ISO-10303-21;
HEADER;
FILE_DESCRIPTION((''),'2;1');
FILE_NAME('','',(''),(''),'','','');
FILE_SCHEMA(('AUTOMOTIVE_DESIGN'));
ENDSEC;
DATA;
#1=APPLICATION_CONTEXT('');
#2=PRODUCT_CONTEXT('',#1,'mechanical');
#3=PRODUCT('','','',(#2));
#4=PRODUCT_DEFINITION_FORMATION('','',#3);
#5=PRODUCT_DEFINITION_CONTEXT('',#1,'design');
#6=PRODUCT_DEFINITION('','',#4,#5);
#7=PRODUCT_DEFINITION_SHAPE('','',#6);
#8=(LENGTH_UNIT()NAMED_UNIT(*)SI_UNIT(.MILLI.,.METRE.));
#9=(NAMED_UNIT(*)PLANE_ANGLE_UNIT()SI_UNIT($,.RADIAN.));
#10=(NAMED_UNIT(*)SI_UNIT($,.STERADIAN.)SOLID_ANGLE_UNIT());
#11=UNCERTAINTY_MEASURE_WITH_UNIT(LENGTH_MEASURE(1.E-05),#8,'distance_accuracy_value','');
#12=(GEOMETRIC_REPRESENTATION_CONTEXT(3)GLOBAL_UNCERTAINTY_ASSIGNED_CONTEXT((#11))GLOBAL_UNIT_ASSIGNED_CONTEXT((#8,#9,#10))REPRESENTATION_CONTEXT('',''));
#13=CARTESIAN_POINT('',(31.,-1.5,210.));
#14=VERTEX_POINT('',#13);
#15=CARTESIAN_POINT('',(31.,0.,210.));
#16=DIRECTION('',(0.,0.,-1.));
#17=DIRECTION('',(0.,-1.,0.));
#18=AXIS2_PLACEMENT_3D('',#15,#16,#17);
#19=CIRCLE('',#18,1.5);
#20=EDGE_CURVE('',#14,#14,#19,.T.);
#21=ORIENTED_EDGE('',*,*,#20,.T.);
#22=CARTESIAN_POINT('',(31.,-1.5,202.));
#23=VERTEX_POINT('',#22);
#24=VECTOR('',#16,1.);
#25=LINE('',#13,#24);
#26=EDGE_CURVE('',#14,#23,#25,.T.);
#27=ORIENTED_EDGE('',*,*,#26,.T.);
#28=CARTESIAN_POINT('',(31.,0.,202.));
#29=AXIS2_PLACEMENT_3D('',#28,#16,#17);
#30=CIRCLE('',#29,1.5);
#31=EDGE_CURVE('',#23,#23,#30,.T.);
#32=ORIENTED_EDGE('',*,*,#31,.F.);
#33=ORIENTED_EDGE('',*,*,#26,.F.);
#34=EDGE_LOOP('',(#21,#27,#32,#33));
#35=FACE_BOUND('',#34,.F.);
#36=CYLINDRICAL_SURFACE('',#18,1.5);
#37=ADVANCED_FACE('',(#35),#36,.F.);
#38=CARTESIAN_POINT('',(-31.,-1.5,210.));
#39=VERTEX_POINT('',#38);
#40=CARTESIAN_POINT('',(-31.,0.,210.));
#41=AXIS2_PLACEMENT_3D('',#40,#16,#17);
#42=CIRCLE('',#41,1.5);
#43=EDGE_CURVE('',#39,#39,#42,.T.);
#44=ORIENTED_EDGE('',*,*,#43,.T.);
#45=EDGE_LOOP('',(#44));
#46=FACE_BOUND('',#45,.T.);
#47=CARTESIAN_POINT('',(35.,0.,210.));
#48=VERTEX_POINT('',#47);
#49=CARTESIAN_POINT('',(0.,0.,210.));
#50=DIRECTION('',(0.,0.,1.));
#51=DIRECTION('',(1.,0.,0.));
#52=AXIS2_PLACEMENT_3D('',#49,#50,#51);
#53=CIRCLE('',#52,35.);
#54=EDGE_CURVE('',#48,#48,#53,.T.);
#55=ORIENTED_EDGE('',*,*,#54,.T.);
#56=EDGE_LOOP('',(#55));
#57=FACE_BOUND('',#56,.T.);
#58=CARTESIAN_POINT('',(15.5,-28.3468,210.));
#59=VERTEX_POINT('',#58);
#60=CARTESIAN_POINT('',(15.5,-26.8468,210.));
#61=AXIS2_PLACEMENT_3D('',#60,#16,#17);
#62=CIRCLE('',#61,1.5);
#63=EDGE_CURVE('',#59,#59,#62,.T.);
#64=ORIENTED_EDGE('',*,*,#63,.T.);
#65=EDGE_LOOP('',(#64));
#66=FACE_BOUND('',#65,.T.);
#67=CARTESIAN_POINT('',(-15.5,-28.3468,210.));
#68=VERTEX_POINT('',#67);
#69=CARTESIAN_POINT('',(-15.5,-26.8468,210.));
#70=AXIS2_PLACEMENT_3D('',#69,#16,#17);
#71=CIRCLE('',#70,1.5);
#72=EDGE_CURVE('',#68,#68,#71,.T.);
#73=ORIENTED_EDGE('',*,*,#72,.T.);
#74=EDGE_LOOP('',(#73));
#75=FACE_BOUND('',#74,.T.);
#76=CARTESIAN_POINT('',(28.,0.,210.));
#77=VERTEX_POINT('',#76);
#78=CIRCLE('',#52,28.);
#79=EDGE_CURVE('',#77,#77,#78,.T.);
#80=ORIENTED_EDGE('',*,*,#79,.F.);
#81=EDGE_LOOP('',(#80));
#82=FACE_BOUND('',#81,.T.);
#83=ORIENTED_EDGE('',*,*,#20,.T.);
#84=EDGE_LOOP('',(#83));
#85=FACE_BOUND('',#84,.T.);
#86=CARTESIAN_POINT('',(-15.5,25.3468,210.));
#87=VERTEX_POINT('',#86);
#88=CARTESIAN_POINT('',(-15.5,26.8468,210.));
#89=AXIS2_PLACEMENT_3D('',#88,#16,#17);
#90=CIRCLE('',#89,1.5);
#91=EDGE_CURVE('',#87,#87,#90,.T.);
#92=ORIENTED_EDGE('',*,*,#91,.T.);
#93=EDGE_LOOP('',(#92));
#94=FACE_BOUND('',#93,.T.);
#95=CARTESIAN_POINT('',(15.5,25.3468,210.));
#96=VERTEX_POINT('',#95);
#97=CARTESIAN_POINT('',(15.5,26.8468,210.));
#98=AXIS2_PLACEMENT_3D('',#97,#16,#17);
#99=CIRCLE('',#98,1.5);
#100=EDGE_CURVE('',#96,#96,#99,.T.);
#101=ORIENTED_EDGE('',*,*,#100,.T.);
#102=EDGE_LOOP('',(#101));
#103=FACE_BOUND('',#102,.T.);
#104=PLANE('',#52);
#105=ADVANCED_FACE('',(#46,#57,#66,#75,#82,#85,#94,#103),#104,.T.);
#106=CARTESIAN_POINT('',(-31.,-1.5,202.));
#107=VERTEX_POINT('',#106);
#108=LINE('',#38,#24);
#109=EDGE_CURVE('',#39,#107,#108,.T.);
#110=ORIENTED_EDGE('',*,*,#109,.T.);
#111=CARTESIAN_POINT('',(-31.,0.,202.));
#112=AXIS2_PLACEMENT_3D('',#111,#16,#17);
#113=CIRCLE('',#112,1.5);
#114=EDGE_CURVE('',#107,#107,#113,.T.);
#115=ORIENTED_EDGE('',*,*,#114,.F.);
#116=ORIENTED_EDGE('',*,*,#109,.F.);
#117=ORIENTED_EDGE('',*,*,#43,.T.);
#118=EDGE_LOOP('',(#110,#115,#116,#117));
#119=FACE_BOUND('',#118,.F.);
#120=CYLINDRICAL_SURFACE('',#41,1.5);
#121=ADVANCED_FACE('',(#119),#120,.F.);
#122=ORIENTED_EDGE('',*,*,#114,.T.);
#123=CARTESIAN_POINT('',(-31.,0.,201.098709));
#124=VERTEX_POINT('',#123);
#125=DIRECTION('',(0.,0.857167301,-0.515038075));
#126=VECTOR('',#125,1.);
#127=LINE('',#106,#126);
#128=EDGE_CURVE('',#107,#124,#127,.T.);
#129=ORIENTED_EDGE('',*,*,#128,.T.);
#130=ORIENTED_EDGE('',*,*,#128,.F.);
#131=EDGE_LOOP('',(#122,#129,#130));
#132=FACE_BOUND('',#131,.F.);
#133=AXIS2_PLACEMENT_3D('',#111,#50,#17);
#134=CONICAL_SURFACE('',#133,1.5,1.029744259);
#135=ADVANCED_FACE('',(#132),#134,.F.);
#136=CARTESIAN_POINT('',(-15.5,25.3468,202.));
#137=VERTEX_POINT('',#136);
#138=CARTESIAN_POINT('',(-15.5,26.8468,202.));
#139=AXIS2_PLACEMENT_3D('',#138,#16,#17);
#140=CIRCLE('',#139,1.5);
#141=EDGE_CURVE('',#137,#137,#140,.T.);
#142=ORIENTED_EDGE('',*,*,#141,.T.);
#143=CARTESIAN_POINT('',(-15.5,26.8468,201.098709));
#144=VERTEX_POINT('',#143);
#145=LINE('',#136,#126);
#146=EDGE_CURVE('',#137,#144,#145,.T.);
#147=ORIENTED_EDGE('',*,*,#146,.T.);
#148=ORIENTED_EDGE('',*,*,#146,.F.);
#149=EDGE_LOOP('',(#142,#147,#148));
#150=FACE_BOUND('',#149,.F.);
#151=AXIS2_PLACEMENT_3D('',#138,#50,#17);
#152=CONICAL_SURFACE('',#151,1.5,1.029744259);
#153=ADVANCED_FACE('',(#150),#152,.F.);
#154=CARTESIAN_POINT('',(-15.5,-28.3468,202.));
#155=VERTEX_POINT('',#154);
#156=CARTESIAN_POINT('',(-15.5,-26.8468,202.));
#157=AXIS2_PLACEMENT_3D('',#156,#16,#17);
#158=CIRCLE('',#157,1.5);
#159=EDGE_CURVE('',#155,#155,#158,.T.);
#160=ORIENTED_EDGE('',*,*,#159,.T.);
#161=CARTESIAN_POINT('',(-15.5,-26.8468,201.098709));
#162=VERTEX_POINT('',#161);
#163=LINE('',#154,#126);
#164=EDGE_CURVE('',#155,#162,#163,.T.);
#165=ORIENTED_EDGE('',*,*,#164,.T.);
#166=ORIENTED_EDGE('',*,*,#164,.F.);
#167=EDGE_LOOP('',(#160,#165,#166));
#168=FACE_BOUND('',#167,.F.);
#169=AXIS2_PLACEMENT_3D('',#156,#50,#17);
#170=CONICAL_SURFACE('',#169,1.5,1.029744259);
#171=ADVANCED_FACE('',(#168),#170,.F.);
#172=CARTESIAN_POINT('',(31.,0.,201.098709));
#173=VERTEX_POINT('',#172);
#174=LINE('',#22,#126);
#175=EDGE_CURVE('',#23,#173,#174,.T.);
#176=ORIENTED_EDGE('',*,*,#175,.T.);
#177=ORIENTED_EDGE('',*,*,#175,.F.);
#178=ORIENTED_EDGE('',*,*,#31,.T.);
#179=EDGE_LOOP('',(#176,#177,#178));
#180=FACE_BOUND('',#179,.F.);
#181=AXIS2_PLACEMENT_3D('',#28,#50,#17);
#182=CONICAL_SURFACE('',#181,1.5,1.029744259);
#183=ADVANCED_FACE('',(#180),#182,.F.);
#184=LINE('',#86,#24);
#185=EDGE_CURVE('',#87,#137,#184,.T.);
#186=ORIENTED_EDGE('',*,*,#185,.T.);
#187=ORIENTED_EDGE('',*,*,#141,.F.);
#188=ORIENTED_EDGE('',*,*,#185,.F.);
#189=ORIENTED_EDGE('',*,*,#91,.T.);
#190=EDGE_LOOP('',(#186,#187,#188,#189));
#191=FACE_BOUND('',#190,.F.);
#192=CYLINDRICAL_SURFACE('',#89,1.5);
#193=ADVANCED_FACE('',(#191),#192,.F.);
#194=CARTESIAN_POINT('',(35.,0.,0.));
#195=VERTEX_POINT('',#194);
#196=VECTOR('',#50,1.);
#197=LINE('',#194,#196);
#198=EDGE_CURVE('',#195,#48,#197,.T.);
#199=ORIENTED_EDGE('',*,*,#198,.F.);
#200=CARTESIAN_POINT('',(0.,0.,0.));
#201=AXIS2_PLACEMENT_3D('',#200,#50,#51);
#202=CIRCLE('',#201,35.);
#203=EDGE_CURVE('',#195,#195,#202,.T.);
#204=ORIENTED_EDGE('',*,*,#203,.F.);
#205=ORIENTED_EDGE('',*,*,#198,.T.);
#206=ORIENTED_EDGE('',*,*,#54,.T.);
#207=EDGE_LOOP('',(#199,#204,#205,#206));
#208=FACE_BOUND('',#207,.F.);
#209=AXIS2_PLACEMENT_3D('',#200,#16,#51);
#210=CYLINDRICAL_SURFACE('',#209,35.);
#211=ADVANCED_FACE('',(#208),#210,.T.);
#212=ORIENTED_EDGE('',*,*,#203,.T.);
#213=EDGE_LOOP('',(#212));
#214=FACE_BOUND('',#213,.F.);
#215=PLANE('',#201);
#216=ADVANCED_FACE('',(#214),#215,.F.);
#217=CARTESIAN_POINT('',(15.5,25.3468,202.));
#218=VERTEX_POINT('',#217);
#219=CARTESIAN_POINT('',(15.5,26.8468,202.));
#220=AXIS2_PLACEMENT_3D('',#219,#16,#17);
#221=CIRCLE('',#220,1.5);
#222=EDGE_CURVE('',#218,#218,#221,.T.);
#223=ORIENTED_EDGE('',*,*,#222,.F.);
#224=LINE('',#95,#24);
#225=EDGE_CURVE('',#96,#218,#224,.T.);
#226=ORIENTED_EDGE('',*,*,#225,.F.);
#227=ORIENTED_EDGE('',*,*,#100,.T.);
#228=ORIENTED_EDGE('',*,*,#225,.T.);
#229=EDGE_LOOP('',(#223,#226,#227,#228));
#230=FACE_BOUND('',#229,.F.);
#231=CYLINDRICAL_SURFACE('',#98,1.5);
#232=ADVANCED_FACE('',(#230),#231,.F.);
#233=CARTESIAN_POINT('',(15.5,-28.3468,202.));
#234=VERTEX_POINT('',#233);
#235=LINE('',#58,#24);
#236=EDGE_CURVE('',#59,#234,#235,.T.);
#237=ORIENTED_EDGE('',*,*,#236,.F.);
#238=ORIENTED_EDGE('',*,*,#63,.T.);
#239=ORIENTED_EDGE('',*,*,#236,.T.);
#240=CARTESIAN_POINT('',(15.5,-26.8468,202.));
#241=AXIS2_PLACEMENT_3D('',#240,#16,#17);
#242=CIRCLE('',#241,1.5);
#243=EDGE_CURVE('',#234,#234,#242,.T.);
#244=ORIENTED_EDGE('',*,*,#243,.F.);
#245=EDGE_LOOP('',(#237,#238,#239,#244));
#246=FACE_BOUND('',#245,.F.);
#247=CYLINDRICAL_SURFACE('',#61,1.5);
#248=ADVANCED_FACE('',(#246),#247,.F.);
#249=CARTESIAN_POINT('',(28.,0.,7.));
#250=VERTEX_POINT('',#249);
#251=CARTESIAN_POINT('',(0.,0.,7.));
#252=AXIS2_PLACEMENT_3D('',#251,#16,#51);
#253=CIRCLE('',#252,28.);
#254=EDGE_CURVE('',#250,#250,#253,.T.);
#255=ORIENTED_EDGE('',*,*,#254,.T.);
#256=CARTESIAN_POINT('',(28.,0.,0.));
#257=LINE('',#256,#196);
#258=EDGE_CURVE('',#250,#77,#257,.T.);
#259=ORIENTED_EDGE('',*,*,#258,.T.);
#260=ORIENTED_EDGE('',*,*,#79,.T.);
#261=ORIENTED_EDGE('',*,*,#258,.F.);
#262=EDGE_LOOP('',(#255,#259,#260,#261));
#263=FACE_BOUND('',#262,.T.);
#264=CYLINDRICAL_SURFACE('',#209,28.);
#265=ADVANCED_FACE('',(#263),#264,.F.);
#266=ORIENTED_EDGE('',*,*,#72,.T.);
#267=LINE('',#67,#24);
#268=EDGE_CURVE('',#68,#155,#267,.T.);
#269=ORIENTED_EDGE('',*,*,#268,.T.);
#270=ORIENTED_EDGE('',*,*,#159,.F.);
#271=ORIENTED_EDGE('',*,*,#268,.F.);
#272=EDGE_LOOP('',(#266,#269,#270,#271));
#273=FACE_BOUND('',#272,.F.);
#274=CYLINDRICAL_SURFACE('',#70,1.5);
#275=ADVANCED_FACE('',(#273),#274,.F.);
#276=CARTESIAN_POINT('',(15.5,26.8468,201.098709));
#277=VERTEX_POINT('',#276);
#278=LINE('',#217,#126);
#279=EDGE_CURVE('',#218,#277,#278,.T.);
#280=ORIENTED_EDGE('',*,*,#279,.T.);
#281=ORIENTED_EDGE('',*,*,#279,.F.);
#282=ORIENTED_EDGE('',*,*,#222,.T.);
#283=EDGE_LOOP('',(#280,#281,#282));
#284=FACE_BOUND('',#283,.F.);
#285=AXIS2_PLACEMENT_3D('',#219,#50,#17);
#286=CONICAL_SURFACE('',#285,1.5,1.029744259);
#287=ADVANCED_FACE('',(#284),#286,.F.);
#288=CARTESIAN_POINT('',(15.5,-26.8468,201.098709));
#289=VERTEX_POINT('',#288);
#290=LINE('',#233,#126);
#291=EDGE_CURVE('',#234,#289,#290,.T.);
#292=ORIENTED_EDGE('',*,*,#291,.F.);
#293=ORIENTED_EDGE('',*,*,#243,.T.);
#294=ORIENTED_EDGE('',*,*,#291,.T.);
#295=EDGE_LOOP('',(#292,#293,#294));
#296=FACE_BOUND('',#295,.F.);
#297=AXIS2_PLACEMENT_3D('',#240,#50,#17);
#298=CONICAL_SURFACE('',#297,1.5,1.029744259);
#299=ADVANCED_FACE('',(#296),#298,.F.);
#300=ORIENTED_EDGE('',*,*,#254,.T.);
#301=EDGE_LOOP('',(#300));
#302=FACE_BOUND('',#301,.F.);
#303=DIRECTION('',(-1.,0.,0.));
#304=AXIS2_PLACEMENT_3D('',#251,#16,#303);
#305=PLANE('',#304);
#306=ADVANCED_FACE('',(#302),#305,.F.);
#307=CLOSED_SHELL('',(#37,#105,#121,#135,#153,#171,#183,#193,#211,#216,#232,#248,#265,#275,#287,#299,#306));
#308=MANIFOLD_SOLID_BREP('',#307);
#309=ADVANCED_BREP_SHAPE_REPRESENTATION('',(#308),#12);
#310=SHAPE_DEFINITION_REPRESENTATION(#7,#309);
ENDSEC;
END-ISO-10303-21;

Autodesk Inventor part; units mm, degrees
ref_plane "YZ Plane" through (0, 0, 0) normal (1, 0, 0) x (0, 1, 0)
ref_plane "XZ Plane" through (0, 0, 0) normal (0, 1, 0) x (-1, 0, 0)
ref_plane "XY Plane" through (0, 0, 0) normal (0, 0, 1) x (1, 0, 0)
sketch "Sketch1" plane through (0, 0, 0) normal (0, 0, 1) x (1, 0, 0)
  circle A0 centre (0, 0) radius 35
  circle A1 centre (0, 0) radius 28
  dimension "d0" = 70
  dimension "d1" = 56
extrude "Extrusion1" add sketch "Sketch1" along normal blind 210
sketch "Sketch2" plane through (0, 0, 0) normal (0, 0, -1) x (-1, 0, 0)
  circle A0 centre (0, 0) radius 31.5
extrude "Extrusion2" add sketch "Sketch2" against normal blind 7
sketch "Sketch3" plane through (0, 0, 210) normal (0, 0, 1) x (1, 0, 0)
  circle A0 centre (0, 0) radius 35 projected
  line L0 (35, 0) -> (17.5, -30.3109)
  line L1 (17.5, -30.3109) -> (-17.5, -30.3109)
  line L2 (-17.5, -30.3109) -> (-35, 0)
  line L3 (-35, 0) -> (-17.5, 30.3109)
  line L4 (-17.5, 30.3109) -> (17.5, 30.3109)
  line L5 (17.5, 30.3109) -> (35, 0)
  line L6 (-17.5, 30.3109) -> (17.5, -30.3109)
  line L7 (-17.5, -30.3109) -> (17.5, 30.3109)
  line L8 (-35, 0) -> (35, 0)
  line L9 (-17.5, 30.3109) -> (-15.5, 26.8468)
  line L10 (17.5, 30.3109) -> (15.5, 26.8468)
  line L11 (35, 0) -> (31, 0)
  line L12 (17.5, -30.3109) -> (15.5, -26.8468)
  line L13 (-17.5, -30.3109) -> (-15.5, -26.8468)
  line L14 (-35, 0) -> (-31, 0)
  dimension "d6" = 4
  dimension "d7" = 4
  dimension "d8" = 4
  dimension "d9" = 4
  dimension "d10" = 4
  dimension "d11" = 4
hole "Hole1" at (-15.5, 26.8468, 210) at (-31, 0, 210) at (-15.5, -26.8468, 210) at (15.5, 26.8468, 210) at (31, 0, 210) at (15.5, -26.8468, 210) direction (0, 0, -1) diameter 3 depth 8 tip angle 118
properties part number "battery_Tube"
